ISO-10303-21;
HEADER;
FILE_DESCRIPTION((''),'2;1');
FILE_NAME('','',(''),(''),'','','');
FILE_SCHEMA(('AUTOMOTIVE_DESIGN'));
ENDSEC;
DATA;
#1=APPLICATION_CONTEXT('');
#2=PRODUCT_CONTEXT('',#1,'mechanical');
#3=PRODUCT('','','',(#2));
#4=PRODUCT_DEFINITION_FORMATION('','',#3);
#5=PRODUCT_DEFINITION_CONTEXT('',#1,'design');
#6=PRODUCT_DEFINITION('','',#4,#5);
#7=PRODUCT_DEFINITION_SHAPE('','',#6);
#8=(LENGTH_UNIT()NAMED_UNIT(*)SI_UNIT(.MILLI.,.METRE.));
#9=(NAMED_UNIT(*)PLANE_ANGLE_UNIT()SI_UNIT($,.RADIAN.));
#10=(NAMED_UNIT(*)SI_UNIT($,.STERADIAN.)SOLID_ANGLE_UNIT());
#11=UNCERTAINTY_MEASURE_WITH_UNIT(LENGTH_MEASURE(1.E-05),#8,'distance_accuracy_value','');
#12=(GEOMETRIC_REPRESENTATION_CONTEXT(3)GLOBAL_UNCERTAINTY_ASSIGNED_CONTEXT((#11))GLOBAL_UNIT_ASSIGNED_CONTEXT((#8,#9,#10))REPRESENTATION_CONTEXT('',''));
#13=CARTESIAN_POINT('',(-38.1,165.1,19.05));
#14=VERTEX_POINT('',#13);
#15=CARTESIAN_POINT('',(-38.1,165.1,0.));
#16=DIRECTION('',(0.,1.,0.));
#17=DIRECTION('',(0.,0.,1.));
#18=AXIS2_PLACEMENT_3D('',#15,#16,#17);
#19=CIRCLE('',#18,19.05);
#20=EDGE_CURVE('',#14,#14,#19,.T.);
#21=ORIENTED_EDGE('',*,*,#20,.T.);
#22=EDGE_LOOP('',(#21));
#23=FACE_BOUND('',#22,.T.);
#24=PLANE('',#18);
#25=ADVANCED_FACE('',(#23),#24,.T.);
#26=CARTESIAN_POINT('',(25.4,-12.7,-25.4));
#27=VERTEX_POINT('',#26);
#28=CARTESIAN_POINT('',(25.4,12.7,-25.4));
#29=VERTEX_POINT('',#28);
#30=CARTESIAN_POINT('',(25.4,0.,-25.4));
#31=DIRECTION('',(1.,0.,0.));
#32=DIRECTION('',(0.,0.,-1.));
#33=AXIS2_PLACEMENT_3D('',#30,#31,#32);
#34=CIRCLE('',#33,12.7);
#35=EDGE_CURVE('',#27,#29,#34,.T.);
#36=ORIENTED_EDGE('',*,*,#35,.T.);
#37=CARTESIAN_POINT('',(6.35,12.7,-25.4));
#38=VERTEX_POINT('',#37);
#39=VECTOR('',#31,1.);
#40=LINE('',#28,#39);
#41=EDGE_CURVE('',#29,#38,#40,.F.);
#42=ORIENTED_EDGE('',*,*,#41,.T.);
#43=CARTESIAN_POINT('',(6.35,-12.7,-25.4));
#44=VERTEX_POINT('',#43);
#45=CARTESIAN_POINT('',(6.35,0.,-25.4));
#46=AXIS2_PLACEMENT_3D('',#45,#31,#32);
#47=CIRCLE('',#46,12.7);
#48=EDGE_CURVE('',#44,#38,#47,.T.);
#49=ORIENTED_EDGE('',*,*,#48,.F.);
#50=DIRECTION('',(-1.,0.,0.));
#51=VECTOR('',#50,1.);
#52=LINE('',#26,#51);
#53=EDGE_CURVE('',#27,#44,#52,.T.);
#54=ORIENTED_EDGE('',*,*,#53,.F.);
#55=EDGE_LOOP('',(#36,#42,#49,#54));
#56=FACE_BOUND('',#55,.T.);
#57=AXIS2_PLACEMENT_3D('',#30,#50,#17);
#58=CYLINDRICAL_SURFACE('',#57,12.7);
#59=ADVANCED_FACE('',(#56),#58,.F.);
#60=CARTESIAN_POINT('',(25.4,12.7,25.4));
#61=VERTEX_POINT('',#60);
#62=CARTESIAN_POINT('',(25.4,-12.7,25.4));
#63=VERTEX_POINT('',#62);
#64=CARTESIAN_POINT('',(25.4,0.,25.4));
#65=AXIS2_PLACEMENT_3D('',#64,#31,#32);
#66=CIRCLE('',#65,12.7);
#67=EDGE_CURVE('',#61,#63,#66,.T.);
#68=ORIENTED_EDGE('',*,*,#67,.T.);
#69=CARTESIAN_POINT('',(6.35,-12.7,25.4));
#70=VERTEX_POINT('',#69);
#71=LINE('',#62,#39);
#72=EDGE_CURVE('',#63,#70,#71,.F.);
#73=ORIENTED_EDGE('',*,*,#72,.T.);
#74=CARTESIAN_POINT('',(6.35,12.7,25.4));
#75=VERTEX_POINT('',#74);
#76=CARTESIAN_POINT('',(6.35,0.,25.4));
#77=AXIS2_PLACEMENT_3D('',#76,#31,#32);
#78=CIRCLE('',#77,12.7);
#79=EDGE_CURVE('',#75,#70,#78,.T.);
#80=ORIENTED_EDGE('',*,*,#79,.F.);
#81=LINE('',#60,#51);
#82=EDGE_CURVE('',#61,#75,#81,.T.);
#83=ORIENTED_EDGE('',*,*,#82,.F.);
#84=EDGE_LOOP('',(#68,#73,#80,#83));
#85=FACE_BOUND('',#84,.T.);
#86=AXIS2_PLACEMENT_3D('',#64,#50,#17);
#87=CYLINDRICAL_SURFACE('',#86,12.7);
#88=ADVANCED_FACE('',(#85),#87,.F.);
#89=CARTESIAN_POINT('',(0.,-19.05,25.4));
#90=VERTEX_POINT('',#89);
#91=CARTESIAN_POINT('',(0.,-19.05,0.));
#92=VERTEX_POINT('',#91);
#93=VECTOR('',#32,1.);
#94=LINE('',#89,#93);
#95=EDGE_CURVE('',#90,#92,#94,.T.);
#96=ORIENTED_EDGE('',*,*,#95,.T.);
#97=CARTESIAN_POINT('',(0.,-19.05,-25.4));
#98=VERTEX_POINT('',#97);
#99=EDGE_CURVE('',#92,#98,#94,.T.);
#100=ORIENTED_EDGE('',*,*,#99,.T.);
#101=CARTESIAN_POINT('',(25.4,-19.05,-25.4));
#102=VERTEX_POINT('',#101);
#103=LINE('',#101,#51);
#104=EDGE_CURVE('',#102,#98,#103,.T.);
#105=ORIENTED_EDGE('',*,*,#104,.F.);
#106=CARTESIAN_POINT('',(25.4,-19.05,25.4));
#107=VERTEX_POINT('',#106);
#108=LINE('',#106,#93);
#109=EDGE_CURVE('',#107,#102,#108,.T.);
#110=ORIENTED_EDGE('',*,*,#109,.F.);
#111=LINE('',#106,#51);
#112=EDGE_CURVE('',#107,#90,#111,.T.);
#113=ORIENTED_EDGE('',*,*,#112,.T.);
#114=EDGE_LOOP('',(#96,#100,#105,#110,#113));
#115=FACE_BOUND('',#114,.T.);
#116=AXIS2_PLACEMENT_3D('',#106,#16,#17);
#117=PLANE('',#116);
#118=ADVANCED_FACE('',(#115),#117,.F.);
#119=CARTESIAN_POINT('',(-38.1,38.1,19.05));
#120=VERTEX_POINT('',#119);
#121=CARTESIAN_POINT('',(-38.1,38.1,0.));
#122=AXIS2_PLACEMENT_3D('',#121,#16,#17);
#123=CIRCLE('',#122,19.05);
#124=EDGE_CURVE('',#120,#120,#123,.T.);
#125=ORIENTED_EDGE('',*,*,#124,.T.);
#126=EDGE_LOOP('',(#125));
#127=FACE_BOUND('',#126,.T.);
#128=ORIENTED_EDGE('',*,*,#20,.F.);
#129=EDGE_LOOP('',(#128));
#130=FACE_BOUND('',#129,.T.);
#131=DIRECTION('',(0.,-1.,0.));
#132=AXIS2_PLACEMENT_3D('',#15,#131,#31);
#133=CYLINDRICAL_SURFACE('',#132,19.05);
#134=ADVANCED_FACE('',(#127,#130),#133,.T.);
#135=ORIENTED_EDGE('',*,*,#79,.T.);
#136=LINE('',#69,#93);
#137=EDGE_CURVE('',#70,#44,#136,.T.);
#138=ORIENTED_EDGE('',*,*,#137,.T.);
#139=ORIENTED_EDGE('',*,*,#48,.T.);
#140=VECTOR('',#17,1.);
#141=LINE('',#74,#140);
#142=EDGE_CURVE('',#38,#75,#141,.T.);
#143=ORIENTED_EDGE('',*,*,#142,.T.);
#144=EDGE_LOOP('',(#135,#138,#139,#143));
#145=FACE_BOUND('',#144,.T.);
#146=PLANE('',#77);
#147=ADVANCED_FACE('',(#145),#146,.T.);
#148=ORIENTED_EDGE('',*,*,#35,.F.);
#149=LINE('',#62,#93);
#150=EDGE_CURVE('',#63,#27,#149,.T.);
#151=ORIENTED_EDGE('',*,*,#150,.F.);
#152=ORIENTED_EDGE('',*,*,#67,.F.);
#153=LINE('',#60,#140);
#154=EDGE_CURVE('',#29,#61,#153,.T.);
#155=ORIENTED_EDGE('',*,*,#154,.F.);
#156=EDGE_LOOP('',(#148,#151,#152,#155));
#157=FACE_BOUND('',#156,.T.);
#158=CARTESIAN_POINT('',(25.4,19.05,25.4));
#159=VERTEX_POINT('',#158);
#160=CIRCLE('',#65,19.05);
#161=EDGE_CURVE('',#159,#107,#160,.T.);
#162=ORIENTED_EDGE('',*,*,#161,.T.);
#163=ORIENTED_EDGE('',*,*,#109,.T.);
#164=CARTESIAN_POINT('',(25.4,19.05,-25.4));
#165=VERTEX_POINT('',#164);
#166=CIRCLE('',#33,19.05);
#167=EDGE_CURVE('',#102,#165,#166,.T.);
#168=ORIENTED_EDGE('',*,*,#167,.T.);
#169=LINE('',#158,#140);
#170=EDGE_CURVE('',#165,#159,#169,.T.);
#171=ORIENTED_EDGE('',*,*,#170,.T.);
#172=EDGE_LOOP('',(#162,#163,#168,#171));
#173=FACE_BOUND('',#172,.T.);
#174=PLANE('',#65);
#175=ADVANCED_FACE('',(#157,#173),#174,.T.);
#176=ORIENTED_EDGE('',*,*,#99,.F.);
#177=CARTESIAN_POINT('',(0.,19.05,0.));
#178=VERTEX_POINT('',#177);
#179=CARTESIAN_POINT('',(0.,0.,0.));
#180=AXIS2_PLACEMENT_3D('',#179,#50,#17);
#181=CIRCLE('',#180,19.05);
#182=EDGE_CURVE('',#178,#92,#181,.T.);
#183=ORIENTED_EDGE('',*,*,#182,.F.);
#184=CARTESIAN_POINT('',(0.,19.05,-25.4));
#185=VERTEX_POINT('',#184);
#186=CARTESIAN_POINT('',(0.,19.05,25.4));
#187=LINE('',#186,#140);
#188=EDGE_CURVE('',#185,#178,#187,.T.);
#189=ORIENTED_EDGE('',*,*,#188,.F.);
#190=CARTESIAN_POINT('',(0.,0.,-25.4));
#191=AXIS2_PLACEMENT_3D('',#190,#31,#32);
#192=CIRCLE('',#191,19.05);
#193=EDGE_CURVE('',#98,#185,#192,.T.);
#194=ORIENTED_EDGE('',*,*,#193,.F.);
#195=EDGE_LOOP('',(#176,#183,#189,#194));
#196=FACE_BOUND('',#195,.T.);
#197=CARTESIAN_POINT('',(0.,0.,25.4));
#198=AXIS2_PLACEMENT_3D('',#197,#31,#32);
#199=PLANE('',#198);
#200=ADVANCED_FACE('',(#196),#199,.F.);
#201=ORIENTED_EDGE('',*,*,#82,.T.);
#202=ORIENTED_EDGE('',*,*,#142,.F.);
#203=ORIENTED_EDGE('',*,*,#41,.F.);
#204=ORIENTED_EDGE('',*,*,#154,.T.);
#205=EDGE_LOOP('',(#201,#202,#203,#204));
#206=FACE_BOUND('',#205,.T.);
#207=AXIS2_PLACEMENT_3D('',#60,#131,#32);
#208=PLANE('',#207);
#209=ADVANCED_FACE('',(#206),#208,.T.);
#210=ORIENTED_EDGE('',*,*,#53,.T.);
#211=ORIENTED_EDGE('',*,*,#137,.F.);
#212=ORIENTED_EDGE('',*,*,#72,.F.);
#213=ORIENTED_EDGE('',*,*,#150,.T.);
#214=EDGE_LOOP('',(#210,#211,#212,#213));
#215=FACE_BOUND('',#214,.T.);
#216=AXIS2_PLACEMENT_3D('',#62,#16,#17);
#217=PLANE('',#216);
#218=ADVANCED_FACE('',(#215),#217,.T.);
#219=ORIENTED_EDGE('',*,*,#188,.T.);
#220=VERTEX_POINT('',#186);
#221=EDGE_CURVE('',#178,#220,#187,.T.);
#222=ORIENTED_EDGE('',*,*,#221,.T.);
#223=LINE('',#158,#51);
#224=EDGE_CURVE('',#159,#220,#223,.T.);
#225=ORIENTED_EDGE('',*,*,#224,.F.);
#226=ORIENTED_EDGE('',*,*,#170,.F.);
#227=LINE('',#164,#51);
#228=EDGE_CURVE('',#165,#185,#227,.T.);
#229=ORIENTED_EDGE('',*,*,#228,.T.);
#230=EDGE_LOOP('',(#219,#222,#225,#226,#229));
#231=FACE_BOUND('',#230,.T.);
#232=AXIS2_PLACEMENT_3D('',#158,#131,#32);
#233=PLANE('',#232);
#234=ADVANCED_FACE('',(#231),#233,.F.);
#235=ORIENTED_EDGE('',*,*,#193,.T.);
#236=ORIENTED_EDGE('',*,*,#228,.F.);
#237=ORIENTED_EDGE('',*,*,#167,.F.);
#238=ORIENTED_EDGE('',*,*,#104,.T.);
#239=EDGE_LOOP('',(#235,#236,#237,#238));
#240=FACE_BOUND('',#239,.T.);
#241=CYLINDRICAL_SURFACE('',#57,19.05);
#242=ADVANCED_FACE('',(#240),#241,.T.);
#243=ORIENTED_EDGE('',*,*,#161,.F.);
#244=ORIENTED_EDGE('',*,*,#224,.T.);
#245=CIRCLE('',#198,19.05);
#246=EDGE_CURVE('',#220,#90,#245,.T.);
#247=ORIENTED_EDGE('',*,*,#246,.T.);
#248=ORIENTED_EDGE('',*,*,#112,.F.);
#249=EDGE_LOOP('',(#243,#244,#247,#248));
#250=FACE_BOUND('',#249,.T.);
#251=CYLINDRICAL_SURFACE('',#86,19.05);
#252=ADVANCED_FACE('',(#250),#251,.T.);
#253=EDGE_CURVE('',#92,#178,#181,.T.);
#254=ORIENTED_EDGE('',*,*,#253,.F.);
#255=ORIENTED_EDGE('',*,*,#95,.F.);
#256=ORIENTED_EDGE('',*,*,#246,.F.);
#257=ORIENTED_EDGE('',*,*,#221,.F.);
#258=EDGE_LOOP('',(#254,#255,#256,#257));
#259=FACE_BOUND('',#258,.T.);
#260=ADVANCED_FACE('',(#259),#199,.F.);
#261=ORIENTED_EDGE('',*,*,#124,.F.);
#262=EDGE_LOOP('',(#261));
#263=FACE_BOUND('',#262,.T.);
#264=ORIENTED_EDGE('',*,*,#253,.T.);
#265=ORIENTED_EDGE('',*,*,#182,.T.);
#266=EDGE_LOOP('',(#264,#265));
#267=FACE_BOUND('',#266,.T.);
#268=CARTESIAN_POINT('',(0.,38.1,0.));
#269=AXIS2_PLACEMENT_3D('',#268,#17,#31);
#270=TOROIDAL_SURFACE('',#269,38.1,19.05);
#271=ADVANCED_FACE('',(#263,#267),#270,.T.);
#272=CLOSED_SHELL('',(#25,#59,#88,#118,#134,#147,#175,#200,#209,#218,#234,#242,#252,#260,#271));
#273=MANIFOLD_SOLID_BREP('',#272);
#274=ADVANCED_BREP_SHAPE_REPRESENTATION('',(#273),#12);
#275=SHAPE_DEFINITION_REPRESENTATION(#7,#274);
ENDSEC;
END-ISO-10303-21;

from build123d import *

# Parameters (mm, degrees)
BOSS_EXTRUDE1_DEPTH = 25.4
SHELL1_T            = -6.35
SKETCH7_R           = 19.05


with BuildPart() as part:
    # Sketch1 → Boss-Extrude1 (new body)
    with BuildSketch(Plane(origin=(0, 0, 0), x_dir=(0, 0, -1), z_dir=(1, 0, 0))):
        with BuildLine():
            Line((-25.4, 19.05), (25.4, 19.05))
            ThreePointArc((25.4, 19.05), (44.45, 0), (25.4, -19.05))
            Line((25.4, -19.05), (-25.4, -19.05))
            ThreePointArc((-25.4, -19.05), (-44.45, 0), (-25.4, 19.05))
        make_face()
    extrude(amount=BOSS_EXTRUDE1_DEPTH)

    # Shell1
    shell1_openings = [part.faces().sort_by_distance(p)[0] for p in [
        (25.4, 0, 0),
    ]]
    offset(amount=SHELL1_T, openings=shell1_openings, kind=Kind.INTERSECTION)

    # Sweep1: sweep along a path in Sketch3
    with BuildLine(Plane.XY) as sweep1_path:
        Line((-38.1, 165.1), (-38.1, 38.1))
        ThreePointArc((-38.1, 38.1), (-26.940768363, 11.159231637), (0, 0))
    # Sketch7 → Sweep1 (sweep)
    with BuildSketch(Plane.ZY):
        Circle(SKETCH7_R)
    sweep(path=sweep1_path.line)


solid = part.part
